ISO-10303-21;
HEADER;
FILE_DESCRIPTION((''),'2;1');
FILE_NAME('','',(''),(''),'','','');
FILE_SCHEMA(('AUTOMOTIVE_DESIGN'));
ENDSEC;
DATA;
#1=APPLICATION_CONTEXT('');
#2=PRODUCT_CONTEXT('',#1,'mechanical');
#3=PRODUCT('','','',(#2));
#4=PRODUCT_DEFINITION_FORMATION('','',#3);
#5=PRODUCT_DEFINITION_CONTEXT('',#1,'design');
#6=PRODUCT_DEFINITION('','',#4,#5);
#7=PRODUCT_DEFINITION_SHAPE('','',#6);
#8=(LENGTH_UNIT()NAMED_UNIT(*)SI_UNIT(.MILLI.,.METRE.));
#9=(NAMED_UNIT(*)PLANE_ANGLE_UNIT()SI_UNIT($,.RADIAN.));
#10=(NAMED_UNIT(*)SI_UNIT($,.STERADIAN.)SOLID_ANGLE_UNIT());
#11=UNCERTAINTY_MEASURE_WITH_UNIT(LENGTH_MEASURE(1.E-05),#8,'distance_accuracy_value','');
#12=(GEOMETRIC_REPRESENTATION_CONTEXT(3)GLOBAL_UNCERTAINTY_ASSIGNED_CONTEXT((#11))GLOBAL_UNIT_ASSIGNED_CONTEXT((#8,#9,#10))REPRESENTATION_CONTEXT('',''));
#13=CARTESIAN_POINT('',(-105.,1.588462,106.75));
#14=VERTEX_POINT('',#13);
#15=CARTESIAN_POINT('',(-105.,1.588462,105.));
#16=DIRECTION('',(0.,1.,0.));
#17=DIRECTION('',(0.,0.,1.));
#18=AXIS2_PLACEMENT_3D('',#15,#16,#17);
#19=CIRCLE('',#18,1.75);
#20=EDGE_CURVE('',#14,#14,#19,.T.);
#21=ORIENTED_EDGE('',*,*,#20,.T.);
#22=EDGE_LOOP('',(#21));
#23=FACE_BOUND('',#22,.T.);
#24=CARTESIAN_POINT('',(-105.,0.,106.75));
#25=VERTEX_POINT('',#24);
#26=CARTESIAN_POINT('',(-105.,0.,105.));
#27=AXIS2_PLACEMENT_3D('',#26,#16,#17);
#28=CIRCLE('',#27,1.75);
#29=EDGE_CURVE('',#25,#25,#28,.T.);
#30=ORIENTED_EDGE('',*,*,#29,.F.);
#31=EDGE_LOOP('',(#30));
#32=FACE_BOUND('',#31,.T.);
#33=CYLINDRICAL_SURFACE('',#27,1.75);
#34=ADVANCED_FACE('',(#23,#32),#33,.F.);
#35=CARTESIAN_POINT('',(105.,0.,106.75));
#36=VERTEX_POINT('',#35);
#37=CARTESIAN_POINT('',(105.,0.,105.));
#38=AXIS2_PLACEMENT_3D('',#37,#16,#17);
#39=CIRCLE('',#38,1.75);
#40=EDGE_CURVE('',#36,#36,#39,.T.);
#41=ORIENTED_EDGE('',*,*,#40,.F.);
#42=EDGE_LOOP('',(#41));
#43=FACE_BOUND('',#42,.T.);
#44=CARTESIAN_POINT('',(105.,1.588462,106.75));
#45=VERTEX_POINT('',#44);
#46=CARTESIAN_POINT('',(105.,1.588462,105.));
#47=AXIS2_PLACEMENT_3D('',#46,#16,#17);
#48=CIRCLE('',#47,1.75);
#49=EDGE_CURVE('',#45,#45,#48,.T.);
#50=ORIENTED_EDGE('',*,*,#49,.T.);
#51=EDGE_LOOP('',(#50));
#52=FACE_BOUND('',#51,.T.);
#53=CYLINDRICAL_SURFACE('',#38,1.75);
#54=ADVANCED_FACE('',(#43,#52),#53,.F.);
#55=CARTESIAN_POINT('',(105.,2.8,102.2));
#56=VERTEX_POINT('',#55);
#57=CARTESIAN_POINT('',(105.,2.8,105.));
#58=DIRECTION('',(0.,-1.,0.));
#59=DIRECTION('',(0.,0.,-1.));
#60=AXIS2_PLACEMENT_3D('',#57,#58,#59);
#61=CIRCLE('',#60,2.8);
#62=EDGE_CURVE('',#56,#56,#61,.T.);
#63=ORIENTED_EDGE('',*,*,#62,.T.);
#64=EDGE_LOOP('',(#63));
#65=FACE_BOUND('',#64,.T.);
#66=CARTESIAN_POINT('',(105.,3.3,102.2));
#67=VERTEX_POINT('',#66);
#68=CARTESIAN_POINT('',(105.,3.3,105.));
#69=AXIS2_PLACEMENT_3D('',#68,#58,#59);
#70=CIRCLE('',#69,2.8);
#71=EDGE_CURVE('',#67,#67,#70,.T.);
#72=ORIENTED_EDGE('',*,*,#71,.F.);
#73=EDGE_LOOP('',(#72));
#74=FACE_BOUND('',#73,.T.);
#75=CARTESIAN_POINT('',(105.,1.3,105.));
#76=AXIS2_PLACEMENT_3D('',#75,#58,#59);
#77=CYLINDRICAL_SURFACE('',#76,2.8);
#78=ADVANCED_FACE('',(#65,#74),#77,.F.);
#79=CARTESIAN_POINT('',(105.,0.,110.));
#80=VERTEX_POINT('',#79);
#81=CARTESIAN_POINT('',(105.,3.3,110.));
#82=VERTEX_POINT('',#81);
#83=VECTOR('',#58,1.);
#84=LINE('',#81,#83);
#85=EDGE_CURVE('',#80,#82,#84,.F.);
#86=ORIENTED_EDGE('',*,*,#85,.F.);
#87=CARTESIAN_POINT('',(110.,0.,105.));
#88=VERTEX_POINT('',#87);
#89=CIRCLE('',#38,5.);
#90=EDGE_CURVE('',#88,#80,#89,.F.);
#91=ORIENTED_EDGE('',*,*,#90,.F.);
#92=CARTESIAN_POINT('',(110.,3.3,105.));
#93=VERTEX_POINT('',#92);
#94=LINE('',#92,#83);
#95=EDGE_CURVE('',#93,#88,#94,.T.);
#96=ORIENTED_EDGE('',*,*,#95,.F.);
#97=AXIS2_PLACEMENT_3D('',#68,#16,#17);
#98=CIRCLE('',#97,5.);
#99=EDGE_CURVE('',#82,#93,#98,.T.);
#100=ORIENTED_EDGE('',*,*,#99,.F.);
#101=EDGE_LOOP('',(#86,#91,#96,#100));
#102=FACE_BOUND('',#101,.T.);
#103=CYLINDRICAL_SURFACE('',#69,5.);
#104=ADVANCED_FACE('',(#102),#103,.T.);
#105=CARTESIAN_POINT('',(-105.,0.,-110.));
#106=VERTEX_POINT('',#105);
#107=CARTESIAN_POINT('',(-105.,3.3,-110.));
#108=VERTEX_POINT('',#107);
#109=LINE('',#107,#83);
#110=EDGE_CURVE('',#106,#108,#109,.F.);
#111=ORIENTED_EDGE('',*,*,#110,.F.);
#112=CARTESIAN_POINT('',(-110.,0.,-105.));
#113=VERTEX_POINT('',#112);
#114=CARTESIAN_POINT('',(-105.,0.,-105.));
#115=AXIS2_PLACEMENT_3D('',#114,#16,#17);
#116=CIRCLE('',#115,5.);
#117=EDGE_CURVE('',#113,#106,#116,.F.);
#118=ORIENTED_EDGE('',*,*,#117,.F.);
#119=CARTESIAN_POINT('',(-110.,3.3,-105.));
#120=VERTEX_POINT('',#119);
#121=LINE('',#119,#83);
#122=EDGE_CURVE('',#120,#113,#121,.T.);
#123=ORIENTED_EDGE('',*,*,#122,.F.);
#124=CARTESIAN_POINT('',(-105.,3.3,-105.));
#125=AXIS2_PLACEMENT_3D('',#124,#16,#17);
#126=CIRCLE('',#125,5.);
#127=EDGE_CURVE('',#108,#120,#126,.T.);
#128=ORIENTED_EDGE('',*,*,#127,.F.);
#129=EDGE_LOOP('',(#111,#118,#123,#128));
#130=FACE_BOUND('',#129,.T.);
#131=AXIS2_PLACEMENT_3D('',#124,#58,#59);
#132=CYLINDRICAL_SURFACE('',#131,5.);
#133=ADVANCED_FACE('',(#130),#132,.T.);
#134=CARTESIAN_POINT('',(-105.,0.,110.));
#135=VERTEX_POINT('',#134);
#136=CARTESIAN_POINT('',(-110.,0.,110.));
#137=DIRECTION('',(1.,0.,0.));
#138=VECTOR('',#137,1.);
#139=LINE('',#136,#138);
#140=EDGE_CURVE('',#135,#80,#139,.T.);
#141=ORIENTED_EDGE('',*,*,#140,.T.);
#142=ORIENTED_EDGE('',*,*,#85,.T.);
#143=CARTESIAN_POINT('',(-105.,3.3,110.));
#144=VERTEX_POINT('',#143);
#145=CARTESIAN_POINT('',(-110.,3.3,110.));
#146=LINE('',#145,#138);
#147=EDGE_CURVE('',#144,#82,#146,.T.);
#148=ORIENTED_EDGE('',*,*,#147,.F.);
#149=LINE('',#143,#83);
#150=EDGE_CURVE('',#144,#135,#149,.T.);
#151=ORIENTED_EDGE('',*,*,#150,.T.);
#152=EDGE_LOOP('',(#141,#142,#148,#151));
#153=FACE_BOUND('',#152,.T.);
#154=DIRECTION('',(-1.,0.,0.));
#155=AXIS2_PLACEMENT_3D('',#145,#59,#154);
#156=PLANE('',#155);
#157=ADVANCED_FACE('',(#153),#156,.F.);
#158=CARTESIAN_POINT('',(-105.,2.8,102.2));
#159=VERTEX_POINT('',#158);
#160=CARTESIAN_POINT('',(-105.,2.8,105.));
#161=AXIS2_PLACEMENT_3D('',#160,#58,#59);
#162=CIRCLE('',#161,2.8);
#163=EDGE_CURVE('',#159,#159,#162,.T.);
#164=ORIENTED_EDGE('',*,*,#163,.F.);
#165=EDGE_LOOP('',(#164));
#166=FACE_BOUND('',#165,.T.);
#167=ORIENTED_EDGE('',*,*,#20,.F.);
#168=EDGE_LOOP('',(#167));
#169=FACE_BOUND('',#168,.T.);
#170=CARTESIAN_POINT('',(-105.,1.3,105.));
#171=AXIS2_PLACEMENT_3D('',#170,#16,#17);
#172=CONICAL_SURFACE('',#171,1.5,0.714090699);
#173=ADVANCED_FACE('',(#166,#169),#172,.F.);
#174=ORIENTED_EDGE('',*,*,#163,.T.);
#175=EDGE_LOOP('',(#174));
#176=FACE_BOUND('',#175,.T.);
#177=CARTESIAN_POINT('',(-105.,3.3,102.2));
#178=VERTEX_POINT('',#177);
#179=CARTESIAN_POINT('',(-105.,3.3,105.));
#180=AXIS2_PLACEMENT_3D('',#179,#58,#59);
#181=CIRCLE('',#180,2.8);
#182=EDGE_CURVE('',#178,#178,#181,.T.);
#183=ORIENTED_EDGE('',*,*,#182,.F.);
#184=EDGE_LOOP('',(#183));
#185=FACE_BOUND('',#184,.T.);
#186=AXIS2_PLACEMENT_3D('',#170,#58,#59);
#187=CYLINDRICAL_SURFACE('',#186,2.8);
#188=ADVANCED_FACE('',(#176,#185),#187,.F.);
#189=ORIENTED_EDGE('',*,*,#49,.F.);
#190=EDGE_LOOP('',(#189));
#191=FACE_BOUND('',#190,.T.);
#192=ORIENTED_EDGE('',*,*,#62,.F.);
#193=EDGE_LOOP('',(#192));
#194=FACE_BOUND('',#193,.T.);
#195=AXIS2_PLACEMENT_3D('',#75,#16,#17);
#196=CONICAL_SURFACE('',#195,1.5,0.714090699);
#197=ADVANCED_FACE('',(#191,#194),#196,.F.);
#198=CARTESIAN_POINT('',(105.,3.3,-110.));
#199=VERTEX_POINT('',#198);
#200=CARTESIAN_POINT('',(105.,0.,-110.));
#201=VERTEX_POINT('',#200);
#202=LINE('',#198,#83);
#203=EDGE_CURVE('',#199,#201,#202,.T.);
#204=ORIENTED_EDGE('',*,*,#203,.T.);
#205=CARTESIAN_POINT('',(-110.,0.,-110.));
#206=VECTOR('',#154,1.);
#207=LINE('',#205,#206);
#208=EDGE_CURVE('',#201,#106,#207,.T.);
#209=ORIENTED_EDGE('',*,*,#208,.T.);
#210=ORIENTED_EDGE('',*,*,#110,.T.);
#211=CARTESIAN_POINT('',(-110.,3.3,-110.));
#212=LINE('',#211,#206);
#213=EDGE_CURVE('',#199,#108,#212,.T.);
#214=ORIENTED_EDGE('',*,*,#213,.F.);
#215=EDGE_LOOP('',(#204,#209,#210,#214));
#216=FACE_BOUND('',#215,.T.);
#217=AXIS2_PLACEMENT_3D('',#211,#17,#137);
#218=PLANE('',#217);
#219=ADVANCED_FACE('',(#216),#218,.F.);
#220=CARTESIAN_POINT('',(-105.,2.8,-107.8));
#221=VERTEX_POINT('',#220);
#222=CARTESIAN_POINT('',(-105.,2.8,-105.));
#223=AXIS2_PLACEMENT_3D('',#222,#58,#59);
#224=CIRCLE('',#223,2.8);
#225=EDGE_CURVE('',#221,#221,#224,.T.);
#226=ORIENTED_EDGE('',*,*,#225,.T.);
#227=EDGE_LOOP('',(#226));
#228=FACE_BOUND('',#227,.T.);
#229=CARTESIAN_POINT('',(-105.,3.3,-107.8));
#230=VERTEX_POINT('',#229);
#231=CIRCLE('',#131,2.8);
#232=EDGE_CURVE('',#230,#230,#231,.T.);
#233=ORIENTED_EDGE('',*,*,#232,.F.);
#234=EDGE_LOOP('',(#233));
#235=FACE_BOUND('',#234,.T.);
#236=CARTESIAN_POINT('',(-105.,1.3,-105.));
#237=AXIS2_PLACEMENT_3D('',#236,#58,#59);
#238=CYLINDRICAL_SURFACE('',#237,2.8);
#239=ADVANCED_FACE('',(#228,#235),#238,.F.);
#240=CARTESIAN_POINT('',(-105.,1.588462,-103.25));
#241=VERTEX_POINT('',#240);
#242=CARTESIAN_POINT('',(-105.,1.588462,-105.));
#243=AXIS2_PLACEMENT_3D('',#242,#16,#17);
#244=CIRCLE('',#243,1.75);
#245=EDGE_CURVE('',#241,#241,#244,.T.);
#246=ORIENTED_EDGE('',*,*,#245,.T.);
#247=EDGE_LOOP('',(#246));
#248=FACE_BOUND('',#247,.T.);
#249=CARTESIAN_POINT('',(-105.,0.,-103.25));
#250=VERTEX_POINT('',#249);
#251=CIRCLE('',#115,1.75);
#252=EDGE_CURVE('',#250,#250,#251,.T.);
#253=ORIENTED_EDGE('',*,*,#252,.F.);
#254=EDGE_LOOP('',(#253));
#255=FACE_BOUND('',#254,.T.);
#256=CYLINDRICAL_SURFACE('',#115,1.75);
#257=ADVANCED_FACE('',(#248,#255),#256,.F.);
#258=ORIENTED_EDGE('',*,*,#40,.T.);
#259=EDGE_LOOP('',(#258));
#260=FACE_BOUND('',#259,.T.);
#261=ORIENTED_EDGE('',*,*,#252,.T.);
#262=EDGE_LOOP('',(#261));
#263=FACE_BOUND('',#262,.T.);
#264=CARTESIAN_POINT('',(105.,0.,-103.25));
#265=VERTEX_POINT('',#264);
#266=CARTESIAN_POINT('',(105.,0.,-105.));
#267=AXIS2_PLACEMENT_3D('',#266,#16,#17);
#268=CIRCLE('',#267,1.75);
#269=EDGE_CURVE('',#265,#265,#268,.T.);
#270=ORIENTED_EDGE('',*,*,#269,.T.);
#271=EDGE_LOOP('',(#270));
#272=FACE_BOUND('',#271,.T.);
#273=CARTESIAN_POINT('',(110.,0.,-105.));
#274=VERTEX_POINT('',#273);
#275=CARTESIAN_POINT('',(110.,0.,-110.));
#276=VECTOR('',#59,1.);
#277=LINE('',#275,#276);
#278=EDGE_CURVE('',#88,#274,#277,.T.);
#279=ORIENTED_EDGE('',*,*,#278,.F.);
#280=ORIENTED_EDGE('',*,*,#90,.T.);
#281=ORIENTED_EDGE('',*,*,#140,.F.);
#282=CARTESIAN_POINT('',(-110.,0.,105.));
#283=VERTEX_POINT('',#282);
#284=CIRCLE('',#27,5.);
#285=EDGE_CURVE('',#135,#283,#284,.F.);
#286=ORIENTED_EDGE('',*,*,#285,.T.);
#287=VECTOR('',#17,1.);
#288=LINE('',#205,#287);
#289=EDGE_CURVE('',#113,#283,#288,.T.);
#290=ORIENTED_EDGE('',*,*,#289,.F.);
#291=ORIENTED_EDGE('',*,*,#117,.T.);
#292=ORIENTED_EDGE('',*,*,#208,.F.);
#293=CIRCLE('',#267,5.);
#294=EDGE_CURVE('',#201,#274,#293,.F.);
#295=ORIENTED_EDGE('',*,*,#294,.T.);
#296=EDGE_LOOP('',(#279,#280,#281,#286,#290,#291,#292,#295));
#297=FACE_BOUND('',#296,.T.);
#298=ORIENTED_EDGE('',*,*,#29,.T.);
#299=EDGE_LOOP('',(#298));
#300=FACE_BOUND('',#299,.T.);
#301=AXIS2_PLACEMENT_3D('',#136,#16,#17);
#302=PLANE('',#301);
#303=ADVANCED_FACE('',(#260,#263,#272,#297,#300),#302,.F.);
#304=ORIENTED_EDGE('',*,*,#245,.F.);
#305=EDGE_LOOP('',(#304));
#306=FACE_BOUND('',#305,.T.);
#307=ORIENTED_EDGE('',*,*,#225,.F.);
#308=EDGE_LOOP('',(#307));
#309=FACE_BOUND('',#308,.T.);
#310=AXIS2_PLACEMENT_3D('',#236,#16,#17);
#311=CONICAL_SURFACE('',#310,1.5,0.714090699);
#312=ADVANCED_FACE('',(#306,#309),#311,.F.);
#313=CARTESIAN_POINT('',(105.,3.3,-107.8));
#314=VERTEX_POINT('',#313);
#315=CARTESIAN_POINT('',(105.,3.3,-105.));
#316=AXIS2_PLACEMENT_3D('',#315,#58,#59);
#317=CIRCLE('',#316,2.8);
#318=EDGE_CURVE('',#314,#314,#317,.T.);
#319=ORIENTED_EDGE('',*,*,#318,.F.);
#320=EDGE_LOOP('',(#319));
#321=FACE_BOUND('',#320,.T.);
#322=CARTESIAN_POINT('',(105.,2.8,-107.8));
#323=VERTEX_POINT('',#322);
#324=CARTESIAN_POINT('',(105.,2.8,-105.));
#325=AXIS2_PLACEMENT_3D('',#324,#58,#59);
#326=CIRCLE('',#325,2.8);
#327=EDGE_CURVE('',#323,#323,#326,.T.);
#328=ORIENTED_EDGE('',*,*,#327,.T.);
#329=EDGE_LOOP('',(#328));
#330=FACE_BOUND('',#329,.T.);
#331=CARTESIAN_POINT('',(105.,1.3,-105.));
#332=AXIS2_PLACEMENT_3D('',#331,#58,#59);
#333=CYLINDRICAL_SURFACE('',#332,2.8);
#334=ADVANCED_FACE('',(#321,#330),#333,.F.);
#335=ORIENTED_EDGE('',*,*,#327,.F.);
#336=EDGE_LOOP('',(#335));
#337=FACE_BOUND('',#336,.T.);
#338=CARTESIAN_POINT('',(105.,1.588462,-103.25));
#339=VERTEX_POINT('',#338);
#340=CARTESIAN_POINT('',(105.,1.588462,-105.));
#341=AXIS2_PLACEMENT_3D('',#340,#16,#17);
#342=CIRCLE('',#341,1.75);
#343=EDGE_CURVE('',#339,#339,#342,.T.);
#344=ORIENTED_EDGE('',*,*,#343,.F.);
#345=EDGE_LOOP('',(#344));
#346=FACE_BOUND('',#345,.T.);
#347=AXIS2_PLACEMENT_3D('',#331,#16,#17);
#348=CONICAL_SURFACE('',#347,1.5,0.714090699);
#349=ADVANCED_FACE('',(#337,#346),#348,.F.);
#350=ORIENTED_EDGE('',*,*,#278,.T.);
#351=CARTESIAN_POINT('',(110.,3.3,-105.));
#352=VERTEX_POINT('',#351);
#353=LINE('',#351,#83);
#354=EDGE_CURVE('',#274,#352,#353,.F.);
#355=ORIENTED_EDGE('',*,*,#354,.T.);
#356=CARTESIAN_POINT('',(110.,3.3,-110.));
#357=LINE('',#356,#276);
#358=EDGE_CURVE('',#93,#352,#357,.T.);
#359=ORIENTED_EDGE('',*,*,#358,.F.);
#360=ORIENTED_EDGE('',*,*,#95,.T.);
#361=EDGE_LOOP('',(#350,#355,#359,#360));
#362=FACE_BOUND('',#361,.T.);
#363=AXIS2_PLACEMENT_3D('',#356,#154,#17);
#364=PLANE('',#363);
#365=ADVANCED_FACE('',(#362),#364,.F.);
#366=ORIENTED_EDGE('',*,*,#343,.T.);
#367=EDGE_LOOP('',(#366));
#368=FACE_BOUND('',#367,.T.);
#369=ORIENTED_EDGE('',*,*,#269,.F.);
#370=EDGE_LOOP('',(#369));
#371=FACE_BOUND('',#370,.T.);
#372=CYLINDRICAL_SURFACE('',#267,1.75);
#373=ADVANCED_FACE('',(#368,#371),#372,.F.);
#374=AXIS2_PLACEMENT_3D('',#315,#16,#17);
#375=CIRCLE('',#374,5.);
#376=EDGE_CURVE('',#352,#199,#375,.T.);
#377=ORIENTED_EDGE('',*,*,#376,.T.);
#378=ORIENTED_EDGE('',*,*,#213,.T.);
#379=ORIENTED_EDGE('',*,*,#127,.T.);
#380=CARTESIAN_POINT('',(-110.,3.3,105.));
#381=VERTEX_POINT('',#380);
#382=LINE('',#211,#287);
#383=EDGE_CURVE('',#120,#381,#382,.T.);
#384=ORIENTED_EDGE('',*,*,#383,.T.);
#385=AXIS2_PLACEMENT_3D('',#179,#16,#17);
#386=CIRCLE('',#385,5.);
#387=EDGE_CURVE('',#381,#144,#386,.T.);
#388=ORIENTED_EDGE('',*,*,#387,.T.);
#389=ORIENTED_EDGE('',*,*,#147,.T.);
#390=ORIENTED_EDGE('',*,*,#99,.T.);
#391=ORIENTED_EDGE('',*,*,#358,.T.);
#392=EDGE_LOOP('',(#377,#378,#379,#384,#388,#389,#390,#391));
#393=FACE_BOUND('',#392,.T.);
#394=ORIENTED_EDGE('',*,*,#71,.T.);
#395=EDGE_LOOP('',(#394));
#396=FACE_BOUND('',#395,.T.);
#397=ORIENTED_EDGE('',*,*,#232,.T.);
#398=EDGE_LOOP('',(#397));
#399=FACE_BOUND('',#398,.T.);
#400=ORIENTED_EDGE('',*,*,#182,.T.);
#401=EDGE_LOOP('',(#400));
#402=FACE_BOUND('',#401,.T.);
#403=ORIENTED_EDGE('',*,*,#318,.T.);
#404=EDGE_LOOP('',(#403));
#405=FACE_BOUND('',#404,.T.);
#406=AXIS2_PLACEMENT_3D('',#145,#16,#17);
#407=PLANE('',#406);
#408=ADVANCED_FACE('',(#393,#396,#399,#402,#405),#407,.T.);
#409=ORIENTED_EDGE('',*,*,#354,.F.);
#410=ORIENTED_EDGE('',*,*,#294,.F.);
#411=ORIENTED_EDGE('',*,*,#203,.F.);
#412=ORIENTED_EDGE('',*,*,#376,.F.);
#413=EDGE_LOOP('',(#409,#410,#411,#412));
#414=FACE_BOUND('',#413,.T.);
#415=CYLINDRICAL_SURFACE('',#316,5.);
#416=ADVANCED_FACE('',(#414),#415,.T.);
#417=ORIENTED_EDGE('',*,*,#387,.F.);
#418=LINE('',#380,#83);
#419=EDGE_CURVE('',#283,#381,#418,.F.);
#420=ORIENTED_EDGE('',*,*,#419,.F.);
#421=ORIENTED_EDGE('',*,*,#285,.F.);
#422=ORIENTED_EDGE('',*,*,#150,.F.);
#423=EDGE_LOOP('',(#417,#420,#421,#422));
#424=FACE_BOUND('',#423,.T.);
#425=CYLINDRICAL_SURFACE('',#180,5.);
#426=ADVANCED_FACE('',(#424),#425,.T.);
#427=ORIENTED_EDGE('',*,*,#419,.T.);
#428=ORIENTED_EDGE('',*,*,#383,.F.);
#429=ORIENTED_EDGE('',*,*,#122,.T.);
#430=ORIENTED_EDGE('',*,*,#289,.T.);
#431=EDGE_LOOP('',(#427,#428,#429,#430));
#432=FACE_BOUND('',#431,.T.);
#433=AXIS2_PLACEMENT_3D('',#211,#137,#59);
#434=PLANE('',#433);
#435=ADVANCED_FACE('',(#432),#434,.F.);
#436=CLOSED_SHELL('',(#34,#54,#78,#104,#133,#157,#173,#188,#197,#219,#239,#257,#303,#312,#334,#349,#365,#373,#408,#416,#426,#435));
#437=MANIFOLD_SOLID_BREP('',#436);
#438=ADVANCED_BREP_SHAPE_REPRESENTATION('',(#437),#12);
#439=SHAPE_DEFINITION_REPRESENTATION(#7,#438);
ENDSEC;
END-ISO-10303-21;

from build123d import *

# Parameters (mm, degrees)
SKETCH1_W            = 220
SKETCH1_H            = 220
EXTRUDE1_DEPTH       = 3.3
FILLET1_R            = 5
SKETCH2_R            = 1.75
EXTRUDE2_DEPTH       = 3.3
LPATTERN1_COUNT      = 2
LPATTERN1_PITCH      = 210
LPATTERN1_COUNT_DIR2 = 2
LPATTERN1_PITCH_DIR2 = 210


with BuildPart() as part:
    # Sketch1 → Extrude1 (new body)
    with BuildSketch(Plane(origin=(0, 0, 0), x_dir=(1, 0, 0), z_dir=(0, 1, 0))):
        Rectangle(SKETCH1_W, SKETCH1_H)
    extrude(amount=EXTRUDE1_DEPTH)

    # Fillet1
    fillet1_edges = [part.edges().sort_by_distance(p)[0] for p in [
        (-110, 1.65, -110),
        (110, 1.65, -110),
        (110, 1.65, 110),
        (-110, 1.65, 110),
    ]]
    fillet(fillet1_edges, radius=FILLET1_R)

    # Sketch2 → Extrude2 (cut)
    with BuildSketch(Plane(origin=(0, 3.3, 0), x_dir=(1, 0, 0), z_dir=(0, 1, 0))):
        with Locations(Location((-105, 105, 0), (0, 0, 270))):
            Circle(SKETCH2_R)
        with Locations(Location((105, 105, 0), (0, 0, 270))):
            Circle(SKETCH2_R)
        with Locations(Location((-105, -105, 0), (0, 0, 270))):
            Circle(SKETCH2_R)
        with Locations(Location((105, -105, 0), (0, 0, 270))):
            Circle(SKETCH2_R)
    extrude(amount=-EXTRUDE2_DEPTH, mode=Mode.SUBTRACT)

    # Sketch3 → Cut-Revolve1 (revolve, cut)
    with BuildSketch(Plane(origin=(0, 0, -105), x_dir=(-1, 0, 0), z_dir=(0, 0, -1)), mode=Mode.PRIVATE) as cut_revolve1_sk:
        Polygon((105, 3.3), (107.8, 3.3), (107.8, 2.8), (106.5, 1.3), (105, 1.3), align=None)
    cut_revolve1 = revolve(cut_revolve1_sk.sketch.rotate(Axis((-105, 1.3, -105), (0, 1, 0)), 90), axis=Axis((-105, 1.3, -105), (0, 1, 0)), mode=Mode.SUBTRACT)

    # LPattern1: Cut-Revolve1 2 × 2
    with Locations(*[(i * LPATTERN1_PITCH, 0, j * LPATTERN1_PITCH_DIR2) for i in range(LPATTERN1_COUNT) for j in range(LPATTERN1_COUNT_DIR2) if (i, j) != (0, 0)]):
        add(cut_revolve1, mode=Mode.SUBTRACT)


solid = part.part
